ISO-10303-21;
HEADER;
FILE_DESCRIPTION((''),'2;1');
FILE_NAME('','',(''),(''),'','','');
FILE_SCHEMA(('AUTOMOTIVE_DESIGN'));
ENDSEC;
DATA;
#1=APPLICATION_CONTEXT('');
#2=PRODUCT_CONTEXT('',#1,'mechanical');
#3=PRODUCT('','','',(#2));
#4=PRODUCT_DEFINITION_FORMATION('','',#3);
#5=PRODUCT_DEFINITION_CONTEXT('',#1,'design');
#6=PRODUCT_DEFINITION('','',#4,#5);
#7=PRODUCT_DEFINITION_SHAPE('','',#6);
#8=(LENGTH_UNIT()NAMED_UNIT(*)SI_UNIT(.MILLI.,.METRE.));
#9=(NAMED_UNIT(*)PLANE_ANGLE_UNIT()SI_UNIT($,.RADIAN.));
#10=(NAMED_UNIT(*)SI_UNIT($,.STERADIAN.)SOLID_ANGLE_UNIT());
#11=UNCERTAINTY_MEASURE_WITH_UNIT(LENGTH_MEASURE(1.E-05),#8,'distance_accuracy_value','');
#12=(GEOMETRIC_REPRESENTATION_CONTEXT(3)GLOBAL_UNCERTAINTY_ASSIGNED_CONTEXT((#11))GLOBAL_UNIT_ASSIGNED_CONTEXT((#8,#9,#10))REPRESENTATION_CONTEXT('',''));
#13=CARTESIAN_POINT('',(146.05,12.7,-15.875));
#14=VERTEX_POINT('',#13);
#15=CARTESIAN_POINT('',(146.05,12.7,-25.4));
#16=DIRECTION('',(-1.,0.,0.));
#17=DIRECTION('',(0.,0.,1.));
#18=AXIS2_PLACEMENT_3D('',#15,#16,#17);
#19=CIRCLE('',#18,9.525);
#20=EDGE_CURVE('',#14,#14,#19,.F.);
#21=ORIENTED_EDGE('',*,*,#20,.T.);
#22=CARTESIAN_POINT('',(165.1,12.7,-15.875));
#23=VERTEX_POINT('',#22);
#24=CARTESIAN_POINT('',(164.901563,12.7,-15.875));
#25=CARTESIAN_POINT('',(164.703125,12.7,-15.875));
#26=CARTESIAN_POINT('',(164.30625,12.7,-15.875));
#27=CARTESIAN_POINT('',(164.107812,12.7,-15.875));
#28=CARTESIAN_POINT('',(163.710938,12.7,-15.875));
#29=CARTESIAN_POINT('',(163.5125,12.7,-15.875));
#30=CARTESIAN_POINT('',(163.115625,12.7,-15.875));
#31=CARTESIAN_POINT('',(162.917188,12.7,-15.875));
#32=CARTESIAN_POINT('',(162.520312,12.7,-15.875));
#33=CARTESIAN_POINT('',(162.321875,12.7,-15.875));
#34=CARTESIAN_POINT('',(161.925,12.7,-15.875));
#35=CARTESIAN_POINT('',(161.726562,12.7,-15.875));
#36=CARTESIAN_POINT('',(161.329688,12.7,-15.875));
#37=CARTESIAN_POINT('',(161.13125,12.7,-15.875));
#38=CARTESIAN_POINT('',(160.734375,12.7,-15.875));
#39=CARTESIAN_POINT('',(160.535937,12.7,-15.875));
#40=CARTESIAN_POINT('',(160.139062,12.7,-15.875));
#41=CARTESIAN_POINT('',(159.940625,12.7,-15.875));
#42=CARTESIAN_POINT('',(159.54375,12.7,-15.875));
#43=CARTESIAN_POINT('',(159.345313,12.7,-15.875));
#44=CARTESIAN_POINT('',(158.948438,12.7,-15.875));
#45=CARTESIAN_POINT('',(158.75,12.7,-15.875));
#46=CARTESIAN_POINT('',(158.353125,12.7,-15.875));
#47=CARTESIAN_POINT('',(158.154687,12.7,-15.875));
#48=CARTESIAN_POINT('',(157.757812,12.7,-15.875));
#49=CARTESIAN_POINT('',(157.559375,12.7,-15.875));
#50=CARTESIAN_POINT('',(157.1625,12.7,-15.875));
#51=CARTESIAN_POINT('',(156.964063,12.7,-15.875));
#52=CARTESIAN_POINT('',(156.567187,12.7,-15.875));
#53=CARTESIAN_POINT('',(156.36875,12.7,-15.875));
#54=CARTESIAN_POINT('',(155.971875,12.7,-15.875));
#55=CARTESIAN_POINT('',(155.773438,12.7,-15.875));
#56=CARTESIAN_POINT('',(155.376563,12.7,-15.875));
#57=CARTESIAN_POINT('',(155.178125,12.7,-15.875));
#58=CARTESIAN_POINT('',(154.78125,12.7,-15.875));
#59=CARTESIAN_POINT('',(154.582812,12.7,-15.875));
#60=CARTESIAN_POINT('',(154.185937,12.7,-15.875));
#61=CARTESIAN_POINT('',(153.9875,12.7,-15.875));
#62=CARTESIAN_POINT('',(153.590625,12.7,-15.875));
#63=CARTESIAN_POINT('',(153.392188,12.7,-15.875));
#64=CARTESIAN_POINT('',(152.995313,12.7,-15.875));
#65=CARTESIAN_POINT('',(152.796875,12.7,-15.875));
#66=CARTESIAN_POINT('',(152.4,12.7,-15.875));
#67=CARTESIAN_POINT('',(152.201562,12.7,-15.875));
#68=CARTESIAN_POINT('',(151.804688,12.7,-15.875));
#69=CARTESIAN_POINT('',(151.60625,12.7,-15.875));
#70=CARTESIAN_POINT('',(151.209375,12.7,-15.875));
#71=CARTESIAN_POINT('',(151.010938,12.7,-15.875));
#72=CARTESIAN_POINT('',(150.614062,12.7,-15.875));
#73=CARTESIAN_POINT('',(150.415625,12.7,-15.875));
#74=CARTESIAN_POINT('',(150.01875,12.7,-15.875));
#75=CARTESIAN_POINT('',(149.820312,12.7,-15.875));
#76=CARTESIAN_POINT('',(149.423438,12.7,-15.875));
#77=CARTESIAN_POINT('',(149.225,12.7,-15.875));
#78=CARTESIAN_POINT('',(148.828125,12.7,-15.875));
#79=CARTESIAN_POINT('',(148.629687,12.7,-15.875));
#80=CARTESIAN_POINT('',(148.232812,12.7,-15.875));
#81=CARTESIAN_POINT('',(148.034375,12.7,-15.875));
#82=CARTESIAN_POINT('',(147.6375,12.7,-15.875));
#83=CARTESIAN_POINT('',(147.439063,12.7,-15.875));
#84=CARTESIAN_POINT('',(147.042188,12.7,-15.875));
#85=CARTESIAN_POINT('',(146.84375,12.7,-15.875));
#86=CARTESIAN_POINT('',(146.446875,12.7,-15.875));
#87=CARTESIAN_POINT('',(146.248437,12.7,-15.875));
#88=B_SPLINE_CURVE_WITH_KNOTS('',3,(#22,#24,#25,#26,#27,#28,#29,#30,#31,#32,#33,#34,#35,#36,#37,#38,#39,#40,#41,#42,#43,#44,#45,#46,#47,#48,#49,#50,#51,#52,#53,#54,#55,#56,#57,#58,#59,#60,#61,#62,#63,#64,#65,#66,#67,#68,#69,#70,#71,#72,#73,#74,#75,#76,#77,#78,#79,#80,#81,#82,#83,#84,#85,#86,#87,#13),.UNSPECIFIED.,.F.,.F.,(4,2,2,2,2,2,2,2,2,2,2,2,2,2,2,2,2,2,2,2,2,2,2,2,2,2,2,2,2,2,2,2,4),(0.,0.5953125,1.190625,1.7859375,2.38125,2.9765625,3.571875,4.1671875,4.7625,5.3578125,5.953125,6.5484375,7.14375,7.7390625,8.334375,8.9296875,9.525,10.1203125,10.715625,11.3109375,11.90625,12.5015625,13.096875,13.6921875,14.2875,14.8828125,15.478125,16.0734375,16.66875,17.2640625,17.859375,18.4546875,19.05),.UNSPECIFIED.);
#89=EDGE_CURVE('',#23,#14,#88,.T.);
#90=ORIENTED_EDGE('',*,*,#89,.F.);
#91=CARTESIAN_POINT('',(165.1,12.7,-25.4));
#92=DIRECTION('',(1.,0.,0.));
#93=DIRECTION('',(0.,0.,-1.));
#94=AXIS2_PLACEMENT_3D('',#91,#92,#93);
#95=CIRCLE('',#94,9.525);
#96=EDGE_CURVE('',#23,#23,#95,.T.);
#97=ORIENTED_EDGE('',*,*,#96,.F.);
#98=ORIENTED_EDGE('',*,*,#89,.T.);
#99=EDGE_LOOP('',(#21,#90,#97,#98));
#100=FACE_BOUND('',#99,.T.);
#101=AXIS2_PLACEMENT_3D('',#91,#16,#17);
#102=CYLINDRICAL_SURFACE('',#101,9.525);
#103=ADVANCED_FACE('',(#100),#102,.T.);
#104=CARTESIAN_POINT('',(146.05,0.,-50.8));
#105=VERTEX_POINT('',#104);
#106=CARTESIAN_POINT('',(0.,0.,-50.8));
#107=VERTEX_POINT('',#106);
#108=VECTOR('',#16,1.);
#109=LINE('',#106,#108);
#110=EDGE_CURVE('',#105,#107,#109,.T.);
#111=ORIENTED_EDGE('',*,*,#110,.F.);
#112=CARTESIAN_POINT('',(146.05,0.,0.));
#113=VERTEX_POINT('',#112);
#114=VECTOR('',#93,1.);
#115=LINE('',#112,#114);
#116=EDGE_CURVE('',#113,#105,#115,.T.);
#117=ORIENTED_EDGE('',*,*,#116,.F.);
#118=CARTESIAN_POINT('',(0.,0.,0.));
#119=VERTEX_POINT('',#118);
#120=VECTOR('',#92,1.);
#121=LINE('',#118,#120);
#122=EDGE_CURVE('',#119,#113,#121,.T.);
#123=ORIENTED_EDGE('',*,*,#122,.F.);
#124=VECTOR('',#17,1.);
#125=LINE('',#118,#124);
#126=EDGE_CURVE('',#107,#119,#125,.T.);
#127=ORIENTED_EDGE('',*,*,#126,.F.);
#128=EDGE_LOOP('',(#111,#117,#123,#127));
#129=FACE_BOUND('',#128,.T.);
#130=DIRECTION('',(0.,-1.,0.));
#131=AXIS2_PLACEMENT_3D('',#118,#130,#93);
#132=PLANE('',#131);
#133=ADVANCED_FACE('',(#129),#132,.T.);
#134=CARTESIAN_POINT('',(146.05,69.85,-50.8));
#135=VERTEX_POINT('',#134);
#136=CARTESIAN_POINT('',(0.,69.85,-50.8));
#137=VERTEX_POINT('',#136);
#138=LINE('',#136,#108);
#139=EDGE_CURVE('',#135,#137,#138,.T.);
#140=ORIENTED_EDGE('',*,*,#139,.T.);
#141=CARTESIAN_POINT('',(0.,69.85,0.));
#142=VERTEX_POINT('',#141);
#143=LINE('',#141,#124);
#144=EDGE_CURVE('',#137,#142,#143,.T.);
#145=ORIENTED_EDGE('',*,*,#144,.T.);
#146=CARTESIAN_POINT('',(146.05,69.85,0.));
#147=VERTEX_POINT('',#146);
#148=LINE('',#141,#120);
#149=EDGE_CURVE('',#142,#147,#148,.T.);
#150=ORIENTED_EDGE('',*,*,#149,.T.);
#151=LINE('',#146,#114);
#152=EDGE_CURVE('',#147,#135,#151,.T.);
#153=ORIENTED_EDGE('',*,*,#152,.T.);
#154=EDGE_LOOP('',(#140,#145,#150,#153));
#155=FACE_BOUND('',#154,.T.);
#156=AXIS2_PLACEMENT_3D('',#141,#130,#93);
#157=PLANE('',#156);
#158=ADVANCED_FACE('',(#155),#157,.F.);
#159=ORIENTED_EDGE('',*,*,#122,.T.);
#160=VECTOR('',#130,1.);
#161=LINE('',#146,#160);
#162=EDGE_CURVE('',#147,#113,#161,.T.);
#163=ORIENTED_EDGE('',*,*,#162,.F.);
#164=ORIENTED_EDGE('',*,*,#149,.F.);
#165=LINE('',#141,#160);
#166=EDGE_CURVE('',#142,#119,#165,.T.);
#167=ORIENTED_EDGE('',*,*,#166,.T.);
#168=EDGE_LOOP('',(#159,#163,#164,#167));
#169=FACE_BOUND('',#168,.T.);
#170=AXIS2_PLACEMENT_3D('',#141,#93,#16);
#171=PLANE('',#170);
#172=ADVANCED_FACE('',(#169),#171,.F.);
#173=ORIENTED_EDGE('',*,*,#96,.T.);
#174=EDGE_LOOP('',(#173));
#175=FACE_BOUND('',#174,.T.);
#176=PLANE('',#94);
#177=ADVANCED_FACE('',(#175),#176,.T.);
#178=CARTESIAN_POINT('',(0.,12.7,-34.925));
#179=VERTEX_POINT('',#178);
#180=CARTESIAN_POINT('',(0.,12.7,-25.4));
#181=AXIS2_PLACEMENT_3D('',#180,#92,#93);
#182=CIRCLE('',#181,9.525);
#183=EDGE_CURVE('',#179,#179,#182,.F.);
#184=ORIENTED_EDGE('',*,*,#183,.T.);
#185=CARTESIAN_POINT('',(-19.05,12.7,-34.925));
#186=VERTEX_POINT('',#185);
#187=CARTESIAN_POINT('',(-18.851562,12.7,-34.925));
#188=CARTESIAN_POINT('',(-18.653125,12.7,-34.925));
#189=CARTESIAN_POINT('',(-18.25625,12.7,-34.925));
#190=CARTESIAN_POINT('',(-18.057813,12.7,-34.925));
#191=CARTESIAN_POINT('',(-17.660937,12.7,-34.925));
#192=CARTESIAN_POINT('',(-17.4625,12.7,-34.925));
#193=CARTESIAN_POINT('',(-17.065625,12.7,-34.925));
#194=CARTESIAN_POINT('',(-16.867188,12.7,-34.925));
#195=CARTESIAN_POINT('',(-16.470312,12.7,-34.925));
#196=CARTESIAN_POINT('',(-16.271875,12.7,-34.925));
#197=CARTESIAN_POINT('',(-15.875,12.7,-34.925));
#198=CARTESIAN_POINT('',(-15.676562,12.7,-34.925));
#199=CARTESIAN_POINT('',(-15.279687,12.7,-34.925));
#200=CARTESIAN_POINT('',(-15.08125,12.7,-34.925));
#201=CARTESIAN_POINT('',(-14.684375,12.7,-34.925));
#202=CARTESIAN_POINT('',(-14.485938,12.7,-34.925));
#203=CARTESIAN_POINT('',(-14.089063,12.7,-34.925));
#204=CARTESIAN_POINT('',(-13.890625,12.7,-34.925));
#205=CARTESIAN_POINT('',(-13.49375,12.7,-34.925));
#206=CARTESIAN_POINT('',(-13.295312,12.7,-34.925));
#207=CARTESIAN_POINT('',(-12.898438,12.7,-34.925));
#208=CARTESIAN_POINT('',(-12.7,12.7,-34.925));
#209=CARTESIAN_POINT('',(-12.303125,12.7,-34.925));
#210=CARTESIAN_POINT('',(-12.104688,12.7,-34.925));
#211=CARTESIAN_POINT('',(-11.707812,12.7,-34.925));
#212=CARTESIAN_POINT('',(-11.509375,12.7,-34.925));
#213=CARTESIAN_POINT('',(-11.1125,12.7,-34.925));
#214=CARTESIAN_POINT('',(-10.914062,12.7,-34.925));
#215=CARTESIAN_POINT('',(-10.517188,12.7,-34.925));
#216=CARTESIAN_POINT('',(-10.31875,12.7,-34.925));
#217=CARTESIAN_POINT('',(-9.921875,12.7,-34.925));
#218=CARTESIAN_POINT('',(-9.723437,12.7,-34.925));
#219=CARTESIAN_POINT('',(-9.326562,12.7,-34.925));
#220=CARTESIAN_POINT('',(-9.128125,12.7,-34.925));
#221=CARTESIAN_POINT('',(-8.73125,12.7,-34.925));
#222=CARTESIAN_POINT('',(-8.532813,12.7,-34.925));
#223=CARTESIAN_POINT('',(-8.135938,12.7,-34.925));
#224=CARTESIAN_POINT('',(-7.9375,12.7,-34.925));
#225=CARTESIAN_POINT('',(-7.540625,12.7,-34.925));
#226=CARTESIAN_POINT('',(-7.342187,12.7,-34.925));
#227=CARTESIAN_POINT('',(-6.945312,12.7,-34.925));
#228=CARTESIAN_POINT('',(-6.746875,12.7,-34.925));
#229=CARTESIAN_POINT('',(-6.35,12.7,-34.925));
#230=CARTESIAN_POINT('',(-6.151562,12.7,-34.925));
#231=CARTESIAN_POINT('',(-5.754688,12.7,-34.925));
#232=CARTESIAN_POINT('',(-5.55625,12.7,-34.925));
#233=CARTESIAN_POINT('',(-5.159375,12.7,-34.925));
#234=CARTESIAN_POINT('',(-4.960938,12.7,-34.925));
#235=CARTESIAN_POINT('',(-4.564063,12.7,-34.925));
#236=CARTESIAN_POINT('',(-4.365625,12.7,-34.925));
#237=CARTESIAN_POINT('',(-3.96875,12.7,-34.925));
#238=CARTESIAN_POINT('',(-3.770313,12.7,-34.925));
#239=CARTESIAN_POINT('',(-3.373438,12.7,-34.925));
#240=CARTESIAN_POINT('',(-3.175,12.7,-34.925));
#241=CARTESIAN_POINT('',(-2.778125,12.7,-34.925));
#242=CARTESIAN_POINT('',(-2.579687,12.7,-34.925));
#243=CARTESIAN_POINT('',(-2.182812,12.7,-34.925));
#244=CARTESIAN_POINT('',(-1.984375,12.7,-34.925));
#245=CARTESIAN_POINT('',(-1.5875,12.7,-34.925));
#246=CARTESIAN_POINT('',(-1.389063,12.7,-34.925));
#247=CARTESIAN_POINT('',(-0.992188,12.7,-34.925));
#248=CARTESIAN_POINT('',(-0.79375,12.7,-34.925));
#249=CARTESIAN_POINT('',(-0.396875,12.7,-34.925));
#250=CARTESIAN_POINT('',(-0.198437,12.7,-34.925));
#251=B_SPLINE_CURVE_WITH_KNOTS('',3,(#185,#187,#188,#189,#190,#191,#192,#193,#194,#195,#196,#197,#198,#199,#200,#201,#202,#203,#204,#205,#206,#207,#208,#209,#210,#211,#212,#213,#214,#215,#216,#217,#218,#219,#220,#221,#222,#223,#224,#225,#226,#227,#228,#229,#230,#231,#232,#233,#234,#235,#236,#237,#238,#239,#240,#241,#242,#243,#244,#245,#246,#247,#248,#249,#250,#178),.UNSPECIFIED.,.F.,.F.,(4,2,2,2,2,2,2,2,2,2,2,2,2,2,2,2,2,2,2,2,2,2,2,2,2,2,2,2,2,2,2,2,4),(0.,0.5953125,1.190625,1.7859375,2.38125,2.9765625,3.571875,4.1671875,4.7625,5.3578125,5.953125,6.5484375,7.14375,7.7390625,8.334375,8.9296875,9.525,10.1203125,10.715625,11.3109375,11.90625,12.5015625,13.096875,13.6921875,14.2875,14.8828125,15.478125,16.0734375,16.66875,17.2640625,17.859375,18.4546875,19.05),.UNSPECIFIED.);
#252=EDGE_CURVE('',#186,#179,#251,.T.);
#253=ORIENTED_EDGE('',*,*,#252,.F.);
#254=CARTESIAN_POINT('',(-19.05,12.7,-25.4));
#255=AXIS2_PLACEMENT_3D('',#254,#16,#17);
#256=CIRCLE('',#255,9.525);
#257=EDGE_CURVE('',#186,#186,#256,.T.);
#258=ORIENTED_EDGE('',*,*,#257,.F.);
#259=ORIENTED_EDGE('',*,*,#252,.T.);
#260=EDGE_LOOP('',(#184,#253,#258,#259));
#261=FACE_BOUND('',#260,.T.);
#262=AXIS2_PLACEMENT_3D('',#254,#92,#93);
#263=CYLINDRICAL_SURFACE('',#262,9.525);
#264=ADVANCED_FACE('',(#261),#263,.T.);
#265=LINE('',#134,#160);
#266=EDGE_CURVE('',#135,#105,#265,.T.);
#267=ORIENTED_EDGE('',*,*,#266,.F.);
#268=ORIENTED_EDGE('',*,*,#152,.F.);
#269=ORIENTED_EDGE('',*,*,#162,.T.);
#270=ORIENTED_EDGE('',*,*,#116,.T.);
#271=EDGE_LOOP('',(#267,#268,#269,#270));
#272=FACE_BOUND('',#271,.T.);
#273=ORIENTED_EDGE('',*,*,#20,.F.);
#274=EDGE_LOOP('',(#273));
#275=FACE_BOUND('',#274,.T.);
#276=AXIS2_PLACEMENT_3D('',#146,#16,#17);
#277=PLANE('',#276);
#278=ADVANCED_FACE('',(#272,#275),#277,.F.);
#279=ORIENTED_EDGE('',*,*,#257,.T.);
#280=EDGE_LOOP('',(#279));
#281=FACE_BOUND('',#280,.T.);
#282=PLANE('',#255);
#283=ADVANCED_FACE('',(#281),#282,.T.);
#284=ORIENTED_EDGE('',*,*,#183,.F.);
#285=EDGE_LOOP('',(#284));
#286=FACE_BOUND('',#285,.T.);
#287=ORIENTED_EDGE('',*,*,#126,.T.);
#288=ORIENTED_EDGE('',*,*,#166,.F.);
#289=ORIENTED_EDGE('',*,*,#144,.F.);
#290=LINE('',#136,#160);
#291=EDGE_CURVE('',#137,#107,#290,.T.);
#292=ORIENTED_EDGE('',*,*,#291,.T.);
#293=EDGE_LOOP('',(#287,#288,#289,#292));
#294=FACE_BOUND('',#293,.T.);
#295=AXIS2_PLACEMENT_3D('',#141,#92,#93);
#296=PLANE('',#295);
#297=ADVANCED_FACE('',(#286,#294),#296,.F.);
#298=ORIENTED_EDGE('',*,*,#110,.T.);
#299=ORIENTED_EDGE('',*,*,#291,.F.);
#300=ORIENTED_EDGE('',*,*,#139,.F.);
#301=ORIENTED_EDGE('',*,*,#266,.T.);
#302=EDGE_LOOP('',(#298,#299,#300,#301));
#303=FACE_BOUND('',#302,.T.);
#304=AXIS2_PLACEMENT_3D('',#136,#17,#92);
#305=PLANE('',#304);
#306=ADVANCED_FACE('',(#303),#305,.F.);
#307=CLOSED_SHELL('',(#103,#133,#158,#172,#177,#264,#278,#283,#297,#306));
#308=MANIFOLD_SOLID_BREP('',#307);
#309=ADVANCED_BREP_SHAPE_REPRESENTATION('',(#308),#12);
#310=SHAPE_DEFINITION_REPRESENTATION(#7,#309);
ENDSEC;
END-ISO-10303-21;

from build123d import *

# Parameters (mm, degrees)
SKETCH1_W           = 146.05
SKETCH1_H           = 50.8
BOSS_EXTRUDE1_DEPTH = 69.85
SKETCH2_R           = 9.525
BOSS_EXTRUDE2_DEPTH = 19.05
BOSS_EXTRUDE3_START = 19.05
SKETCH3_R           = 9.525
BOSS_EXTRUDE3_DEPTH = 19.05


with BuildPart() as part:
    # Sketch1 → Boss-Extrude1 (new body)
    with BuildSketch(Plane(origin=(0, 0, 0), x_dir=(1, 0, 0), z_dir=(0, 1, 0))):
        with Locations((73.025, 25.4)):
            Rectangle(SKETCH1_W, SKETCH1_H)
    extrude(amount=BOSS_EXTRUDE1_DEPTH)

    # Sketch2 → Boss-Extrude2 (add)
    with BuildSketch(Plane(origin=(146.05, 0, 0), x_dir=(0, 0, -1), z_dir=(1, 0, 0))):
        with Locations(Location((25.4, 12.7, 0), (0, 0, 180))):
            Circle(SKETCH2_R)
    extrude(amount=BOSS_EXTRUDE2_DEPTH)

    # Sketch3 → Boss-Extrude3 (add)
    with BuildSketch(Plane.ZY.offset(BOSS_EXTRUDE3_START)):
        with Locations((-25.4, 12.7)):
            Circle(SKETCH3_R)
    extrude(amount=-BOSS_EXTRUDE3_DEPTH)


solid = part.part
